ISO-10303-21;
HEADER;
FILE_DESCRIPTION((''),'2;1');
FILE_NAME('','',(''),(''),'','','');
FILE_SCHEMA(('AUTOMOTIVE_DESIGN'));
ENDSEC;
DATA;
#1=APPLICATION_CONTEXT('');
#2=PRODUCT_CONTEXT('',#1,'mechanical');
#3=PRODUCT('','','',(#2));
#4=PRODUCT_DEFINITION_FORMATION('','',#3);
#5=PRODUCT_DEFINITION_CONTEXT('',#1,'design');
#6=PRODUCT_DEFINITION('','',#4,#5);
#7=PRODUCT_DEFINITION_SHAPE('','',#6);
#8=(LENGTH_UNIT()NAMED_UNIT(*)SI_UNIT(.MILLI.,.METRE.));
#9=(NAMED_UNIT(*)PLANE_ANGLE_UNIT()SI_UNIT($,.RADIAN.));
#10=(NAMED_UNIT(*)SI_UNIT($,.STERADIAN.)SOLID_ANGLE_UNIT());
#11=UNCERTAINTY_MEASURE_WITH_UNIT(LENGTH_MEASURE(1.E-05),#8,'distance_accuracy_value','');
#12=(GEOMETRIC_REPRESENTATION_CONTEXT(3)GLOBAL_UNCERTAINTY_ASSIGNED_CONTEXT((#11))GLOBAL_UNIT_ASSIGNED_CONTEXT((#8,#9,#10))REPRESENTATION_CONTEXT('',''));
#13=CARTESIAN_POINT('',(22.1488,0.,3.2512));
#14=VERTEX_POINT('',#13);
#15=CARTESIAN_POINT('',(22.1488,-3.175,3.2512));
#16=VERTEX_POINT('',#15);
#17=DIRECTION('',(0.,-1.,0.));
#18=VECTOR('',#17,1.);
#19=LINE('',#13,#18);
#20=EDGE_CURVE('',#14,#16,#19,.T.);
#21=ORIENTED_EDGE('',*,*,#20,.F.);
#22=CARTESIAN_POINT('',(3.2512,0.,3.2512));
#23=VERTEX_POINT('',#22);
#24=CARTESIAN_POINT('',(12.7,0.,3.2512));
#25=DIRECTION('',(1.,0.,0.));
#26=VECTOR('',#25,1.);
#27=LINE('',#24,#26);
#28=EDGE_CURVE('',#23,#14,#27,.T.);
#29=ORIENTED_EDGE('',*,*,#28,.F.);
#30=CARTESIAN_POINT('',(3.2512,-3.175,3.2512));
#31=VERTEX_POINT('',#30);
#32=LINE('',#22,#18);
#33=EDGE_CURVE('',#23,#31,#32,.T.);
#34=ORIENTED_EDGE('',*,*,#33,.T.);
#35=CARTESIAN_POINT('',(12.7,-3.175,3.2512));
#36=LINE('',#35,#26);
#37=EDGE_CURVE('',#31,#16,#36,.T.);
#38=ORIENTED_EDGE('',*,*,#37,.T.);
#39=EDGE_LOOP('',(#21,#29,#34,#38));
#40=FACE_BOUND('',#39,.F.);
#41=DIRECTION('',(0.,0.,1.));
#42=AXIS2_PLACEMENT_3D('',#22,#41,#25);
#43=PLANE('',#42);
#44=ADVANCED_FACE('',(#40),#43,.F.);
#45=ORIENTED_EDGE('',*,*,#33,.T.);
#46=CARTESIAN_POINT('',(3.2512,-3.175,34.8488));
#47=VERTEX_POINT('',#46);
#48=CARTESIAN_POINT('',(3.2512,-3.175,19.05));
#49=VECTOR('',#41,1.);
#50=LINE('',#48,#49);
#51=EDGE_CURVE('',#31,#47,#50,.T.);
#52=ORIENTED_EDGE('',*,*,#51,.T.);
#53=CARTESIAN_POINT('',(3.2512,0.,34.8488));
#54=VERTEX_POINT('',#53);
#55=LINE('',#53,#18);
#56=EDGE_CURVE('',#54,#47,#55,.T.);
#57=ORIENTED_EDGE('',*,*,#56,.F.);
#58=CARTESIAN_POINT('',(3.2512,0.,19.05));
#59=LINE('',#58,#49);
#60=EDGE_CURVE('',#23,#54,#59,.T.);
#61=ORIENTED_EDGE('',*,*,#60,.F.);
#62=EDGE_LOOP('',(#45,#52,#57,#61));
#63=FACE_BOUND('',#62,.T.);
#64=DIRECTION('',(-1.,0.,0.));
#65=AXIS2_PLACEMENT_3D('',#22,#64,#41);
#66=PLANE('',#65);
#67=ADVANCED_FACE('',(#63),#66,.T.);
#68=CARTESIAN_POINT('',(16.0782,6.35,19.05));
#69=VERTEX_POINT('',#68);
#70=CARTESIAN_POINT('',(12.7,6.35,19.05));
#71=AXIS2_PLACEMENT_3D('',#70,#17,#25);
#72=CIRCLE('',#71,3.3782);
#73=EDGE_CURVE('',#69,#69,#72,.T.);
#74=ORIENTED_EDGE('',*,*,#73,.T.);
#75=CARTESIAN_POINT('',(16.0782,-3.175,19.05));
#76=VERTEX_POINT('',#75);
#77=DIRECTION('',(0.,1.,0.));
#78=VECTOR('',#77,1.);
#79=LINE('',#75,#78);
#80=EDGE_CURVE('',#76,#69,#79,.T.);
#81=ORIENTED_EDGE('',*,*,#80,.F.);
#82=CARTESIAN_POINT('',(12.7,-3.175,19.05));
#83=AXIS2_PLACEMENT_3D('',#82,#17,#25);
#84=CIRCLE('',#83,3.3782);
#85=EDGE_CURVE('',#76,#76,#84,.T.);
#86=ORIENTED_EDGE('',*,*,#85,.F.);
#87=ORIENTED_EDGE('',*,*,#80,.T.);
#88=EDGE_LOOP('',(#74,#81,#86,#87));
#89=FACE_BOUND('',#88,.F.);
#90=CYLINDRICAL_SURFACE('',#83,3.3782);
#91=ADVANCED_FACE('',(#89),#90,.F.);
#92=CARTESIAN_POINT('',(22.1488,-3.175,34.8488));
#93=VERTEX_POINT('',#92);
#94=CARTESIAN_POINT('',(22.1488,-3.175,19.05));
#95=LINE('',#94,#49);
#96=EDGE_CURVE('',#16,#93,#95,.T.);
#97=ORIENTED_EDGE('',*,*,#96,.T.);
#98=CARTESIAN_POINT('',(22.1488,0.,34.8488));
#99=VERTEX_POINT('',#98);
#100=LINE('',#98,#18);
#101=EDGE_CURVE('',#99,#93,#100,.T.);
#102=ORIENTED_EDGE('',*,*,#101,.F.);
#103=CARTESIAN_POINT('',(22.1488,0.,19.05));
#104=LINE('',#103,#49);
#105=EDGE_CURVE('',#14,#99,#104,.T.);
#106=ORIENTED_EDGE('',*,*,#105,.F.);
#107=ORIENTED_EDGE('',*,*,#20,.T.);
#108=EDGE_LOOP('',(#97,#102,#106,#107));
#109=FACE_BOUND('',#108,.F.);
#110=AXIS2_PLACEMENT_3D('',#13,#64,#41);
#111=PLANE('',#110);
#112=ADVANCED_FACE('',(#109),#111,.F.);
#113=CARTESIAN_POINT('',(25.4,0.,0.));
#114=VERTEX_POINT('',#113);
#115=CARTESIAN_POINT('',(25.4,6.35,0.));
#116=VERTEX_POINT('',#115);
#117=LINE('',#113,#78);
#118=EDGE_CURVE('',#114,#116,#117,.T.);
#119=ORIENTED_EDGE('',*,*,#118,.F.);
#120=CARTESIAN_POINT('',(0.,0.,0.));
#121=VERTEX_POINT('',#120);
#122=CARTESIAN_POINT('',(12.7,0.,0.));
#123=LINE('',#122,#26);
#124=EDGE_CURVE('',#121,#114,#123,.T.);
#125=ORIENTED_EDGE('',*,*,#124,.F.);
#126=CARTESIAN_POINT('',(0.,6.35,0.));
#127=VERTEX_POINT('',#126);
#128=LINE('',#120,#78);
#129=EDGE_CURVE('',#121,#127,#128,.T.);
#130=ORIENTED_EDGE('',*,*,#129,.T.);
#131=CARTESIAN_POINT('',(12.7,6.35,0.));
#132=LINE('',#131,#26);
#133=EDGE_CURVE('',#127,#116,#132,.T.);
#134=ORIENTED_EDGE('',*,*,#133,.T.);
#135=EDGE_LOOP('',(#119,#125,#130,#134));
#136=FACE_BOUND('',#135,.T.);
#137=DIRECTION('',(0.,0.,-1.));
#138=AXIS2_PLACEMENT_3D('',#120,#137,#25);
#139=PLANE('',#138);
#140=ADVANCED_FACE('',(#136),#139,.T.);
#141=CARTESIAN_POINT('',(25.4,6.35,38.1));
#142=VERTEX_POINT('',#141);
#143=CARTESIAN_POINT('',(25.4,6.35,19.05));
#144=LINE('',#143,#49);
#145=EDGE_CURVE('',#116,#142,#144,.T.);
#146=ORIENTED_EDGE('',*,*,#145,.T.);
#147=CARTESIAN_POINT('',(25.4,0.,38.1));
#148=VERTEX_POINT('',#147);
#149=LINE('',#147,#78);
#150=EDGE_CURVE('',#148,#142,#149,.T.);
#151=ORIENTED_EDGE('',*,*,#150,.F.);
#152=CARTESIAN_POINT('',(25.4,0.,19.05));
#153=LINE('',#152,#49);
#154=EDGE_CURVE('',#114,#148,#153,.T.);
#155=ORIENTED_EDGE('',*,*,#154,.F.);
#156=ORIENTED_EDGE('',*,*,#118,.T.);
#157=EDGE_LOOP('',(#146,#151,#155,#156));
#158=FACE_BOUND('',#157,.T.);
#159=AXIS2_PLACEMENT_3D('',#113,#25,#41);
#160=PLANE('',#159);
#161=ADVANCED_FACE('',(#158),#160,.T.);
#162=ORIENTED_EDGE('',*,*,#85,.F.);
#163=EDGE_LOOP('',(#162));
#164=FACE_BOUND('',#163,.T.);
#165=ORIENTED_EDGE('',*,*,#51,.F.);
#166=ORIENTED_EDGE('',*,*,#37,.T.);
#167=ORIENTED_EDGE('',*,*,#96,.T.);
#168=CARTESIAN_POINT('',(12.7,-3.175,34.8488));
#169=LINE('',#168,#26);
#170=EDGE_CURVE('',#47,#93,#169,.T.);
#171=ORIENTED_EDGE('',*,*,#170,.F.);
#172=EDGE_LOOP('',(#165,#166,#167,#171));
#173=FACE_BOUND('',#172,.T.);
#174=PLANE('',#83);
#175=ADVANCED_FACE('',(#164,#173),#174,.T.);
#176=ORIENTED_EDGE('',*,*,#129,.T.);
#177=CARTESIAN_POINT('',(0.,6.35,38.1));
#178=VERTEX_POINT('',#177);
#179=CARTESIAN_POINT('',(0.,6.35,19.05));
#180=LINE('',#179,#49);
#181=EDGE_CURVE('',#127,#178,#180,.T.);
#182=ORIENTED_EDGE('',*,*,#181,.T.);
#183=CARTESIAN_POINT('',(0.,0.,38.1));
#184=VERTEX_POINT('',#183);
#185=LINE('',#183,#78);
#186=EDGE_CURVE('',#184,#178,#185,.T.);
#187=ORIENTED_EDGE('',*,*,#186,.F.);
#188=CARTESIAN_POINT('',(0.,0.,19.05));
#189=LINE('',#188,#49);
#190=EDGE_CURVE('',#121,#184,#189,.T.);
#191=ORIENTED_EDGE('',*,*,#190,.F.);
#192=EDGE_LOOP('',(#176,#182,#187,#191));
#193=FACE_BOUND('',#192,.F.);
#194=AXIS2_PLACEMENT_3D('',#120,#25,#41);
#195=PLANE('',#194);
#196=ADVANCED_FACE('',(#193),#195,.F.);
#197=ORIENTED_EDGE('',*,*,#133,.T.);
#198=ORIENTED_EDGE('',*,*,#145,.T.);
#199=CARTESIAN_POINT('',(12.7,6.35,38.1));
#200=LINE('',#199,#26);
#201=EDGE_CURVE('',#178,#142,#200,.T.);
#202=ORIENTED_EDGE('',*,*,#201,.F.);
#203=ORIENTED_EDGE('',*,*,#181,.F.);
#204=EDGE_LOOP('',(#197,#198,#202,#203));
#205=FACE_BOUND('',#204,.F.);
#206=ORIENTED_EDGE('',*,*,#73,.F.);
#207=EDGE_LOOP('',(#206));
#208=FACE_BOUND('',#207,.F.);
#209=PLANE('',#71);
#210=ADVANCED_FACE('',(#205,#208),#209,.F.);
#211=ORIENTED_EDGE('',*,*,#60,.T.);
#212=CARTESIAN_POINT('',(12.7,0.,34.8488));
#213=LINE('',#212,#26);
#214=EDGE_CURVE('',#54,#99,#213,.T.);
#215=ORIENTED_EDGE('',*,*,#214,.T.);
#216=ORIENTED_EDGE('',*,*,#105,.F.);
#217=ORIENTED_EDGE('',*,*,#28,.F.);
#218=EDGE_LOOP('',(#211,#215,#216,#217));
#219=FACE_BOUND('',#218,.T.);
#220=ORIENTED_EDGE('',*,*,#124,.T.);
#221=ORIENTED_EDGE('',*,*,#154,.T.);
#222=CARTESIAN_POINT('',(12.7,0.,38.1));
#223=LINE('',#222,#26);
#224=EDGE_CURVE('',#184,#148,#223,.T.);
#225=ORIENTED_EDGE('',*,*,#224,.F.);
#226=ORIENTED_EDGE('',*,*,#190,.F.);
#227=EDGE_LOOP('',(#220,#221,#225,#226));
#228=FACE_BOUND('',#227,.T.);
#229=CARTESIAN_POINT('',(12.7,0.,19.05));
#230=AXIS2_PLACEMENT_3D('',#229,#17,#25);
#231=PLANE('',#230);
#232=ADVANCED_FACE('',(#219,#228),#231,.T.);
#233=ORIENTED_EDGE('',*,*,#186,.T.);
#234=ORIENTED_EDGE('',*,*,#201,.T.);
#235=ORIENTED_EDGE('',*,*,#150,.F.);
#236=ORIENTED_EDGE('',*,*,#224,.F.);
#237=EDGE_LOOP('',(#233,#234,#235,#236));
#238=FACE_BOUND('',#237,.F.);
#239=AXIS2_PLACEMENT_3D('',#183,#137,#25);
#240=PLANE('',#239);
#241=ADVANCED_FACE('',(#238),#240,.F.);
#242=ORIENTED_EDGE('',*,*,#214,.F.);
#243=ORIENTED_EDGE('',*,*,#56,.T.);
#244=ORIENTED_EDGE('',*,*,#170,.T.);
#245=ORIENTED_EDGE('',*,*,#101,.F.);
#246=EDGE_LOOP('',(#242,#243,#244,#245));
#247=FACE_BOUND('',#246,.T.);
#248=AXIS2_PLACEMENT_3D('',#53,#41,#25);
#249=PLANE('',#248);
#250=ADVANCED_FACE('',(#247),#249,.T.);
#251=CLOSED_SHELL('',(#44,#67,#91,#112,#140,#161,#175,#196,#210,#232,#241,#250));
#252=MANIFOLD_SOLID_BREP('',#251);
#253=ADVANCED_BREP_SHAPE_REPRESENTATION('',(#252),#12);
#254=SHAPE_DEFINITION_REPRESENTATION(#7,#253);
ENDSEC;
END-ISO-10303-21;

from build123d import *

# Parameters (mm, degrees)
F0_W     = 25.4
F0_H     = 38.1
F1_DEPTH = 6.35
F2_W     = 18.8976
F2_H     = 31.5976
F3_DEPTH = 3.175
F4_R     = 3.3782
F5_DEPTH = 25.4


with BuildPart() as f1:
    # F0 (on Front) → F1 (new body)
    with BuildSketch(Plane.XZ):
        with Locations((12.7, 19.05)):
            Rectangle(F0_W, F0_H)
    extrude(amount=-F1_DEPTH)

    # F2 (on face) → F3 (join)
    with BuildSketch(Plane.XZ):
        with Locations((12.7, 19.05)):
            Rectangle(F2_W, F2_H)
    extrude(amount=F3_DEPTH)

    # F4 (on face) → F5 (cut)
    with BuildSketch(Plane.XZ.offset(3.175)):
        with Locations((12.7, 19.05)):
            Circle(F4_R)
    extrude(amount=-F5_DEPTH, mode=Mode.SUBTRACT)


solid = f1.part
